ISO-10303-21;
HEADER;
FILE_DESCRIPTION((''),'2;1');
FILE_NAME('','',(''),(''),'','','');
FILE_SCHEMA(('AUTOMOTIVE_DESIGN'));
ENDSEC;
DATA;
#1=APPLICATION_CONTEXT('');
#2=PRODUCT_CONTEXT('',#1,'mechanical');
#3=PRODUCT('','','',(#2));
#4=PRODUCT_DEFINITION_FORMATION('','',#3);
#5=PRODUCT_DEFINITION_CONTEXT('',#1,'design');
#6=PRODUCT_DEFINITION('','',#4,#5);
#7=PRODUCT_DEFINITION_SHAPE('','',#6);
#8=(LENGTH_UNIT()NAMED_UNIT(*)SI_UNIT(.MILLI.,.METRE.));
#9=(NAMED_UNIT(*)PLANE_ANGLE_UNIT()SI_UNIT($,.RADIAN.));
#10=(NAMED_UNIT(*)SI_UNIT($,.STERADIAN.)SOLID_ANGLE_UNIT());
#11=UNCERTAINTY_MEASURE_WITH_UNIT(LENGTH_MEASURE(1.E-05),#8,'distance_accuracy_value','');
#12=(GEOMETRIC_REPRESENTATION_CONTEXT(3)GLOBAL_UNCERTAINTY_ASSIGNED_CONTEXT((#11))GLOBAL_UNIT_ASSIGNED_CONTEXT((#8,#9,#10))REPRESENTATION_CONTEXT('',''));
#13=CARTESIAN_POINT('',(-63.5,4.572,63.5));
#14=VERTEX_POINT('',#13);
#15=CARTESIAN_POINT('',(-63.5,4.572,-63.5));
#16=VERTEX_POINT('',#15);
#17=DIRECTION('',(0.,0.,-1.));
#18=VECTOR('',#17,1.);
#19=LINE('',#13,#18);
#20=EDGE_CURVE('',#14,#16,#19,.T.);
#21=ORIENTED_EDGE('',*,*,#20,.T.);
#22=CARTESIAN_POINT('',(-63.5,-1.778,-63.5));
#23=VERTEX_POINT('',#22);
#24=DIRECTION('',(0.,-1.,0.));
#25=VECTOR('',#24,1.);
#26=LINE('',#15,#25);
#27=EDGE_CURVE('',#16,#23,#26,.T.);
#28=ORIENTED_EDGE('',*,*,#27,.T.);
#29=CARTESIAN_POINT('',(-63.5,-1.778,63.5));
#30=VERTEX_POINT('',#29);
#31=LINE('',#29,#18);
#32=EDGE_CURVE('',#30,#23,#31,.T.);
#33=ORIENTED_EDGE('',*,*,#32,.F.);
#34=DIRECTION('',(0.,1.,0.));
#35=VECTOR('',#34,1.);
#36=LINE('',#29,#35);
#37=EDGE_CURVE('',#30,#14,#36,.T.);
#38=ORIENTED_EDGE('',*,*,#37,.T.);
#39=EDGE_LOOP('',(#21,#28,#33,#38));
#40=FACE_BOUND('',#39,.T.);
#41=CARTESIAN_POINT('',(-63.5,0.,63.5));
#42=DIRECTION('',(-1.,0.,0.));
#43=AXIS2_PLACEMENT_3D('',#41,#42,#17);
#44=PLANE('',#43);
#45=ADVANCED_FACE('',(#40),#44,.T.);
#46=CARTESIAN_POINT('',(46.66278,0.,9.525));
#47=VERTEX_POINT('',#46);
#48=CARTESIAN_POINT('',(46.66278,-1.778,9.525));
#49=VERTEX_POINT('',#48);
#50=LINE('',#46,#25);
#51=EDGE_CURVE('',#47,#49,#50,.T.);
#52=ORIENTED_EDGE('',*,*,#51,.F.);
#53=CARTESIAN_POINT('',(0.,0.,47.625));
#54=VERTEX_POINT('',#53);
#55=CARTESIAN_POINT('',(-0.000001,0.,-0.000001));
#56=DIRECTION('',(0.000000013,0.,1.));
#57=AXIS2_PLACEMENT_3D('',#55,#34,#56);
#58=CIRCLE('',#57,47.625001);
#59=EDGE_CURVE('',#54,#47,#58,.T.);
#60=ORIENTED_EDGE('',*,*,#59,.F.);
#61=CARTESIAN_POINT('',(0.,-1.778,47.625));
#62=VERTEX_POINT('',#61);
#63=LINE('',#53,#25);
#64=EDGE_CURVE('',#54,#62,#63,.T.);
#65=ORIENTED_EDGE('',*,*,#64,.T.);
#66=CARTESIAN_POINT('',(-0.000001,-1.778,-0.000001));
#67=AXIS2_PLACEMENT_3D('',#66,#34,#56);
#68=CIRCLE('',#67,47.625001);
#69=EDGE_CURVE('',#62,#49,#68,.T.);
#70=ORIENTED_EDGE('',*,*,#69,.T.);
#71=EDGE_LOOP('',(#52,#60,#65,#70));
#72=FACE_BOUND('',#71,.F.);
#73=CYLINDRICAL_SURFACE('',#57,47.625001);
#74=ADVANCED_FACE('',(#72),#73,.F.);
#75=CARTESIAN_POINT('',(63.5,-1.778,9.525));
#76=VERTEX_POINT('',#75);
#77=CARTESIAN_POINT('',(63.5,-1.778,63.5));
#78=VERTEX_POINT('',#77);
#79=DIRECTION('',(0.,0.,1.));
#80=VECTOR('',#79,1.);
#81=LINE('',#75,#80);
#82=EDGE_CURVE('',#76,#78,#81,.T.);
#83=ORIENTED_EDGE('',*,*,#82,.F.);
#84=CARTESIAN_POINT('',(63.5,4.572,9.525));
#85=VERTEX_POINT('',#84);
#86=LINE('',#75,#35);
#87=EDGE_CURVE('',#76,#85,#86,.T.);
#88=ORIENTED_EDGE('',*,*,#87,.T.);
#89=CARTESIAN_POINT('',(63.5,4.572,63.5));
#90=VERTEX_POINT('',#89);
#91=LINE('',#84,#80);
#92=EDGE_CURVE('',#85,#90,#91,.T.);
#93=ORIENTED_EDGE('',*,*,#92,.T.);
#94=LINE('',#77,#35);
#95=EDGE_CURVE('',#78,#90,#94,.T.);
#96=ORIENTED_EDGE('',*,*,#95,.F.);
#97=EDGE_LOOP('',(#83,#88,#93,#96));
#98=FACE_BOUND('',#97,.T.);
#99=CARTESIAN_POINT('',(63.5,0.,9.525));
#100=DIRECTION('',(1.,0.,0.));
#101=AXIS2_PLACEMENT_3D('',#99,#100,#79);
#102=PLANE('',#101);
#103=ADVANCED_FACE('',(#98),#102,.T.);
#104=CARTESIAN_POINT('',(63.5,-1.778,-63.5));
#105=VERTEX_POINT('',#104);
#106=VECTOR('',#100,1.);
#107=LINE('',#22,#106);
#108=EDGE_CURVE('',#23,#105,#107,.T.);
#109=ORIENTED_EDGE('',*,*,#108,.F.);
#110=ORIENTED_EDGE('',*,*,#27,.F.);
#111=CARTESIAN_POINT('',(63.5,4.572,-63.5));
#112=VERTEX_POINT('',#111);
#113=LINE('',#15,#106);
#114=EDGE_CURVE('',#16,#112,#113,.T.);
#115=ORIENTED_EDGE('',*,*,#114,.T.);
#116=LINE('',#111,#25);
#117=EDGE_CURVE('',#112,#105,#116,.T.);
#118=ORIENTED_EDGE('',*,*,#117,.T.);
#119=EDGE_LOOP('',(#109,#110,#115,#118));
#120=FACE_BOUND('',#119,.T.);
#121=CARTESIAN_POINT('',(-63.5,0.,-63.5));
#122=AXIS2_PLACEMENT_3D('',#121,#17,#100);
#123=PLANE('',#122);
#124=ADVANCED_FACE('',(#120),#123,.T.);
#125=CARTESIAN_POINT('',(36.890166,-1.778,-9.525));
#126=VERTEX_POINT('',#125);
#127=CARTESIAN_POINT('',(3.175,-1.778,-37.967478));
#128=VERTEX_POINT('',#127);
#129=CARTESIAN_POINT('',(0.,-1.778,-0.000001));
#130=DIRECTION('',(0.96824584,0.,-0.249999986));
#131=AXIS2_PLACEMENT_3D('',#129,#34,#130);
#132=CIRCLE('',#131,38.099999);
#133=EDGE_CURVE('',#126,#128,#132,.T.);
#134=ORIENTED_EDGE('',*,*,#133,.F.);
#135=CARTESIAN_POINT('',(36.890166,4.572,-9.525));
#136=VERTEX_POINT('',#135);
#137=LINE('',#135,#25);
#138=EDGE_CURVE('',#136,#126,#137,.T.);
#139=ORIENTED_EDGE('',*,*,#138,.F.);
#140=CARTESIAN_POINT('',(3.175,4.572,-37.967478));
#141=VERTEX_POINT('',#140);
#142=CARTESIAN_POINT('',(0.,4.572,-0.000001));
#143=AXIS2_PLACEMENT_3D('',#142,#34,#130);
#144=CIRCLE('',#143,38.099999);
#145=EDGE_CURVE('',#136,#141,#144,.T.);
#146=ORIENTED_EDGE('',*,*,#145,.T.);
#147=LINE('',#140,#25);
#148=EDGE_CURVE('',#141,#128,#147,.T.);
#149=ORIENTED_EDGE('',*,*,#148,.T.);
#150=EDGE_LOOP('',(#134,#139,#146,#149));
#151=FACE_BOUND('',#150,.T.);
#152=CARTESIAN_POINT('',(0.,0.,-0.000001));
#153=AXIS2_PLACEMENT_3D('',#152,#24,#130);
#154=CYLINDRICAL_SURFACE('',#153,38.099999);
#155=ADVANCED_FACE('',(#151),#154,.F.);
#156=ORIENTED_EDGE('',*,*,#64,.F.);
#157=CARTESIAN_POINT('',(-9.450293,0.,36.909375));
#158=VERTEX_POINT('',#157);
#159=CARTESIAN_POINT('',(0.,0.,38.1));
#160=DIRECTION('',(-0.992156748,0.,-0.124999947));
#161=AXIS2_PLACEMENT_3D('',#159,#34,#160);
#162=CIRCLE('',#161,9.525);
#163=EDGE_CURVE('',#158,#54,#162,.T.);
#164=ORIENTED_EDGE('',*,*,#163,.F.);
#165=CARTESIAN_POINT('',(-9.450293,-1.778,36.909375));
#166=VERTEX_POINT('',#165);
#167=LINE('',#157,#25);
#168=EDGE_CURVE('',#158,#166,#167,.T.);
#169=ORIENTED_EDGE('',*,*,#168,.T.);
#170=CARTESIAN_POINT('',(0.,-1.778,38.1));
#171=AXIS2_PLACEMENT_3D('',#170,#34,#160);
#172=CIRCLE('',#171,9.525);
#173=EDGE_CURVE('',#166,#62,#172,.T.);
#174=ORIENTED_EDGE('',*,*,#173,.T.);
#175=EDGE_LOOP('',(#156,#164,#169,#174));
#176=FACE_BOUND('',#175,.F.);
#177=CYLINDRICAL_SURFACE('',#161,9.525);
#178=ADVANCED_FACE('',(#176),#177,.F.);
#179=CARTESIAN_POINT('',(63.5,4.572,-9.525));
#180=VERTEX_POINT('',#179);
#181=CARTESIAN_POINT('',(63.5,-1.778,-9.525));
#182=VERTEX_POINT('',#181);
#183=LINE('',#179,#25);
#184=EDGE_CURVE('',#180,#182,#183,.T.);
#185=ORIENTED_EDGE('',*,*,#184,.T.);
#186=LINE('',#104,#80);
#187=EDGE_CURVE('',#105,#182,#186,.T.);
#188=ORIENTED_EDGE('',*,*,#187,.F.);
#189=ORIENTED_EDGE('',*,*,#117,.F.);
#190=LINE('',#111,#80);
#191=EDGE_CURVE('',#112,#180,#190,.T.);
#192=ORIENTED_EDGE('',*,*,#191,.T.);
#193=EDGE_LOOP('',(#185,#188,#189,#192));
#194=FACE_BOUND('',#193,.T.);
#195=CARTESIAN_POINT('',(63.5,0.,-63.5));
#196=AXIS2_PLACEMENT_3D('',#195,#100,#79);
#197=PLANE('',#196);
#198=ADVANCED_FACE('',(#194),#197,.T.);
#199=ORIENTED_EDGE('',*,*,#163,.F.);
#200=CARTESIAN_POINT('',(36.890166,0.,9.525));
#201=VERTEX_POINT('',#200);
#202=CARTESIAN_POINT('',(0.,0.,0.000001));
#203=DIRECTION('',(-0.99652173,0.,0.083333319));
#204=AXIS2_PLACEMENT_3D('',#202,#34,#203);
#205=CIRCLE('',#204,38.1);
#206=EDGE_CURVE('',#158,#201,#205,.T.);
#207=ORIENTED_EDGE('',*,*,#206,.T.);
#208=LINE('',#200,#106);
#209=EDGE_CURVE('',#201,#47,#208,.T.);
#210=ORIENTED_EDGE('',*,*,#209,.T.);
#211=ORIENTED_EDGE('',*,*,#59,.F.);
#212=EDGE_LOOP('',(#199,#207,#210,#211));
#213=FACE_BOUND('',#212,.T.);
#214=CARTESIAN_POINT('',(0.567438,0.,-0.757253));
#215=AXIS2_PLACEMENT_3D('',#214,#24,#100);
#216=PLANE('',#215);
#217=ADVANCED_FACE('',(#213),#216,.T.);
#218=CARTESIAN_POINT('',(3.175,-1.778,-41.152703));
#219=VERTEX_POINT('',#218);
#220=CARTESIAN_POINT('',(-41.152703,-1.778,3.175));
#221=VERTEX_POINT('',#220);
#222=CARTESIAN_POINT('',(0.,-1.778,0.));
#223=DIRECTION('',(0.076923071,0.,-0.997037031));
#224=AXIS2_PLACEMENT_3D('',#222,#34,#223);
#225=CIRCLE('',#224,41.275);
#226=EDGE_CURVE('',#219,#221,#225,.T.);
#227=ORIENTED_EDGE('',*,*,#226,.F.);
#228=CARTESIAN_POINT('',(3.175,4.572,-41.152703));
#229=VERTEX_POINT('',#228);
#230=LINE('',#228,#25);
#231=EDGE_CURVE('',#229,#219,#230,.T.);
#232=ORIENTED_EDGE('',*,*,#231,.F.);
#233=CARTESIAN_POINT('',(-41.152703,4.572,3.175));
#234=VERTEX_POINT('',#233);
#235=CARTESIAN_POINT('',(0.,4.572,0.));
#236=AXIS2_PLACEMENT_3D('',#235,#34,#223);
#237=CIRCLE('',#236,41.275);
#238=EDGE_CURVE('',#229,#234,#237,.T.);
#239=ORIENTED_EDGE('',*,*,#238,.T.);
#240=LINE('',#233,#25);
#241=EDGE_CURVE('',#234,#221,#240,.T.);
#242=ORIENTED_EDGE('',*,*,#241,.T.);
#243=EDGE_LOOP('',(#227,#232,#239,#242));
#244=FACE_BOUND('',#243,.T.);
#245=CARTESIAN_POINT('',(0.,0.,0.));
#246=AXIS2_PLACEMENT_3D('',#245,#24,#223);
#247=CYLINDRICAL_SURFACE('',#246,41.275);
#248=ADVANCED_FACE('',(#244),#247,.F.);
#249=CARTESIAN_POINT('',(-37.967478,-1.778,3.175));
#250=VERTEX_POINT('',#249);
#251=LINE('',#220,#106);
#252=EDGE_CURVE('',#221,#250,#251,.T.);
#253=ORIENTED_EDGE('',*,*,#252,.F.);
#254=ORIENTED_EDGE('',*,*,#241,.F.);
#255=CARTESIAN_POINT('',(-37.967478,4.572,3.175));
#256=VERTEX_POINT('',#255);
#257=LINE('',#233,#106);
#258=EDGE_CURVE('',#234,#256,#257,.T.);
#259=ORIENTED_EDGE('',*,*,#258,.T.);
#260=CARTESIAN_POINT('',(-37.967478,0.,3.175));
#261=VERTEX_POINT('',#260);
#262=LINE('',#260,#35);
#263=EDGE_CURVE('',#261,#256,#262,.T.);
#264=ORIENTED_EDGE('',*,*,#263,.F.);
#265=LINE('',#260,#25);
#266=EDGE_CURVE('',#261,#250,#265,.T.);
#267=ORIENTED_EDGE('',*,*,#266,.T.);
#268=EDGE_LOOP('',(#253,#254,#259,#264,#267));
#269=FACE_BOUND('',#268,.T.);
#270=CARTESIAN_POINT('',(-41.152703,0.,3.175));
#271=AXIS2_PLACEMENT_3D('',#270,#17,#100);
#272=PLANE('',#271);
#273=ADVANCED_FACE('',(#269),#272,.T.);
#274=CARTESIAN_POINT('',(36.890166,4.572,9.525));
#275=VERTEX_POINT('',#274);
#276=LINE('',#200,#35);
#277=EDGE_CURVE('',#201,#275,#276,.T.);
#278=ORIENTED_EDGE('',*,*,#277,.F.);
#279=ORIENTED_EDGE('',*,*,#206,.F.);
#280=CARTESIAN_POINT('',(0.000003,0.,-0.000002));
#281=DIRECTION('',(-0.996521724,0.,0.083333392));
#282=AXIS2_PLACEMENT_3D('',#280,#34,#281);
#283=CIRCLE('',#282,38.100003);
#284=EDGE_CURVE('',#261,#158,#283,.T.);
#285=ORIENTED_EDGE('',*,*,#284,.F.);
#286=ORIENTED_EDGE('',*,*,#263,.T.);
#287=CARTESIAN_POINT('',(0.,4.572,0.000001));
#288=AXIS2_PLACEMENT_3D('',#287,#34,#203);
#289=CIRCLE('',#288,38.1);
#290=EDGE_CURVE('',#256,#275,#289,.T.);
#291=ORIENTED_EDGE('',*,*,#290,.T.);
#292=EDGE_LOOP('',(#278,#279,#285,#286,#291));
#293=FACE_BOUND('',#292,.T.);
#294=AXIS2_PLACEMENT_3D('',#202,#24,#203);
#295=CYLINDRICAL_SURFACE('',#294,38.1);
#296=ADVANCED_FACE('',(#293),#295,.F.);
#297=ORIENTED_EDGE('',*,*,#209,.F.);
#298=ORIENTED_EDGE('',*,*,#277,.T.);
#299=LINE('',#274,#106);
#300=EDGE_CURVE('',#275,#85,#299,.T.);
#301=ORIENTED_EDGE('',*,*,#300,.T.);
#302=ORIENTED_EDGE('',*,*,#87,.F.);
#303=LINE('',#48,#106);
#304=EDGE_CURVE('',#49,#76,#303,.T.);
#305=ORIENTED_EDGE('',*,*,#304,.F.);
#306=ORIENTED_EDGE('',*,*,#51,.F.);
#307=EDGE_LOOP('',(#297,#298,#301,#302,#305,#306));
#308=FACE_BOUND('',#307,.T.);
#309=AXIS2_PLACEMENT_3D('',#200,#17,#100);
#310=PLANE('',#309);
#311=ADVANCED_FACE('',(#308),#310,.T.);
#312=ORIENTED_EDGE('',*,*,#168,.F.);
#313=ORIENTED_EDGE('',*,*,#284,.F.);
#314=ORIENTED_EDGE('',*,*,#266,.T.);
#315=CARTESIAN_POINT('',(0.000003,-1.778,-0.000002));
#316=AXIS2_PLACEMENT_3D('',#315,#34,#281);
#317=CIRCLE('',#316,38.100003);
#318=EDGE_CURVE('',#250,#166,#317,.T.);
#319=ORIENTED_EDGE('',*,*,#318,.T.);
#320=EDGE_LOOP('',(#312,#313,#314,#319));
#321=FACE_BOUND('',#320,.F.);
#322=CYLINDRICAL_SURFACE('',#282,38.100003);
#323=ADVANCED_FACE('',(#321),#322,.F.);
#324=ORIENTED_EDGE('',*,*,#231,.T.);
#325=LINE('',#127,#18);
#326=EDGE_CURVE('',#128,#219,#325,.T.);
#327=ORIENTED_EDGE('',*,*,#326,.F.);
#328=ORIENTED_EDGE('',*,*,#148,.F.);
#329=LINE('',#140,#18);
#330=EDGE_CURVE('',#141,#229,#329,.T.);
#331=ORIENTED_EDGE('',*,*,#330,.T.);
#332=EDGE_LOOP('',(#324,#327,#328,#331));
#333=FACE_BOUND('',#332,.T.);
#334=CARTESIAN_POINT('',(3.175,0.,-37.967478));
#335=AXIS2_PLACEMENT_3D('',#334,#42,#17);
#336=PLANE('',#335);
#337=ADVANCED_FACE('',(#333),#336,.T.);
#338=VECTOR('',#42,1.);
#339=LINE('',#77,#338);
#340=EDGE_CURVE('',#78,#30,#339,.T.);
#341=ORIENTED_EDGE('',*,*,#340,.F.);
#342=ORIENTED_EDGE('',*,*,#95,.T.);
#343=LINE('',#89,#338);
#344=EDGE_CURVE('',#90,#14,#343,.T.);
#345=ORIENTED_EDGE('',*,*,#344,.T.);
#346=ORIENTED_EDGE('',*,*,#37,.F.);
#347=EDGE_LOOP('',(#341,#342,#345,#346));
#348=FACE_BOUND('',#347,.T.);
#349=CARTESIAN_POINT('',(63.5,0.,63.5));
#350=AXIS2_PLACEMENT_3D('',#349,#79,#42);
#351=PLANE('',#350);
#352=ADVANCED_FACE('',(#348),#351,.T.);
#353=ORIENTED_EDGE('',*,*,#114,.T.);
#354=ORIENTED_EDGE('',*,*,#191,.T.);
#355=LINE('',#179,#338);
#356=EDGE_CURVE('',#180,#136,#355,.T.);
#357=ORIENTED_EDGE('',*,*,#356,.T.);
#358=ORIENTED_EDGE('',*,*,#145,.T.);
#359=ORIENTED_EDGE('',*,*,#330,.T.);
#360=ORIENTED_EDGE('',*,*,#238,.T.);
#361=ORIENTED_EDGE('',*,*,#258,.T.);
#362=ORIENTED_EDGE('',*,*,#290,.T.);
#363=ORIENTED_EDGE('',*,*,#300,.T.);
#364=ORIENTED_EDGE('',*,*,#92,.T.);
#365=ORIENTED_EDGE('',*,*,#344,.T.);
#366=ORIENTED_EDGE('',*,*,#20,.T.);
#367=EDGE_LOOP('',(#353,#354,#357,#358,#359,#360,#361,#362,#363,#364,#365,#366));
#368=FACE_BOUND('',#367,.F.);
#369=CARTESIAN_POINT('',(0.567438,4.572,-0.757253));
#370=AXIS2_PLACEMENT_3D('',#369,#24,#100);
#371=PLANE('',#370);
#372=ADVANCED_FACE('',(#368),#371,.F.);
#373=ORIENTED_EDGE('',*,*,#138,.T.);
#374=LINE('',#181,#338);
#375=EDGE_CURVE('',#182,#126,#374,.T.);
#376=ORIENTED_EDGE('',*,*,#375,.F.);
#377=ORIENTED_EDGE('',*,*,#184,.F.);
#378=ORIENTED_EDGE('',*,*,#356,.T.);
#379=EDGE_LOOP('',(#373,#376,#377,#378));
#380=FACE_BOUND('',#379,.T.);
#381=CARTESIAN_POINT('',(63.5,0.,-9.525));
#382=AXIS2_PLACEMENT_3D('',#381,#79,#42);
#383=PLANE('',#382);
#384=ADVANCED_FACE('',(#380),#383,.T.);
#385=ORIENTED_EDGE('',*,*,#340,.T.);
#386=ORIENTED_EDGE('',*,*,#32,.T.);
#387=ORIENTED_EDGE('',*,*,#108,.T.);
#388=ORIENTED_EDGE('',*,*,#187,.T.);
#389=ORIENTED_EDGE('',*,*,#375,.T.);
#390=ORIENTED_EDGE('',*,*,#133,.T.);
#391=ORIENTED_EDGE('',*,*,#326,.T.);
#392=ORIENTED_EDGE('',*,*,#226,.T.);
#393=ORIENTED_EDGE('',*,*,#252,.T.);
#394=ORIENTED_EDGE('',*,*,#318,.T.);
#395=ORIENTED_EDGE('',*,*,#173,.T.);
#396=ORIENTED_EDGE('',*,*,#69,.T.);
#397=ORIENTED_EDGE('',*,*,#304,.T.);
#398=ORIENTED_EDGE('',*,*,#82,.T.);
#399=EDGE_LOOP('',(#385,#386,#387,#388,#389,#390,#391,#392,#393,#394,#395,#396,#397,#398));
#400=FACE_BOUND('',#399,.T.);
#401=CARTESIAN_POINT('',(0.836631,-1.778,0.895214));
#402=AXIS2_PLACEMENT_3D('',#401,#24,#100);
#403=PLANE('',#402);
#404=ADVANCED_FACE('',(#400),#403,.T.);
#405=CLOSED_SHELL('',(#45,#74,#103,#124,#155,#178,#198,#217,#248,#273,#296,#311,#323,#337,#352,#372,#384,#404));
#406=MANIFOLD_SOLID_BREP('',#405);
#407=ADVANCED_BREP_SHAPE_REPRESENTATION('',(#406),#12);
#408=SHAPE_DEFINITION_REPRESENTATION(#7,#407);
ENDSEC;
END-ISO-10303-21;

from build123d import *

# Parameters (mm, degrees)
F1_DEPTH = 1.778
F3_DEPTH = 4.572


with BuildPart() as f1:
    # F0 (on Front) → F1 (new body)
    with BuildSketch(Plane.XZ):
        with BuildLine():
            Line((-63.5, -63.5), (63.5, -63.5))
            Line((63.5, -63.5), (63.5, -9.525))
            Line((63.5, -9.525), (45.032244, -9.525))
            Line((45.032244, -9.525), (36.890166, -9.525))
            ThreePointArc((36.890166, -9.525), (24.567214, -29.121504), (3.175, -37.967478))
            Line((3.175, -37.967478), (3.175, -41.152703))
            ThreePointArc((3.175, -41.152703), (-29.185832, -29.185832), (-41.152703, 3.175))
            Line((-41.152703, 3.175), (-37.967478, 3.175))
            ThreePointArc((-37.967478, 3.175), (-29.096619, 24.596681), (-9.450293, 36.909375))
            ThreePointArc((-9.450293, 36.909375), (-7.14375, 44.400195), (0, 47.625))
            ThreePointArc((0, 47.625), (30.120695, 36.890166), (46.66278, 9.525))
            Line((46.66278, 9.525), (63.5, 9.525))
            Line((63.5, 9.525), (63.5, 63.5))
            Line((63.5, 63.5), (-63.5, 63.5))
            Line((-63.5, 63.5), (-63.5, -63.5))
        make_face()
    extrude(amount=F1_DEPTH)

    # F2 (on Front) → F3 (join)
    with BuildSketch(Plane.XZ):
        with BuildLine():
            Line((-63.5, 63.5), (-63.5, -63.5))
            Line((-63.5, -63.5), (63.5, -63.5))
            Line((63.5, -63.5), (63.5, -9.525))
            Line((63.5, -9.525), (36.890166, -9.525))
            ThreePointArc((36.890166, -9.525), (24.567214, -29.121504), (3.175, -37.967478))
            Line((3.175, -37.967478), (3.175, -41.152703))
            ThreePointArc((3.175, -41.152703), (-29.185832, -29.185832), (-41.152703, 3.175))
            Line((-41.152703, 3.175), (-37.967478, 3.175))
            ThreePointArc((-37.967478, 3.175), (-3.220369, 37.963657), (36.890166, 9.525))
            Line((36.890166, 9.525), (63.5, 9.525))
            Line((63.5, 9.525), (63.5, 63.5))
            Line((63.5, 63.5), (-63.5, 63.5))
        make_face()
    extrude(amount=-F3_DEPTH)


solid = f1.part
